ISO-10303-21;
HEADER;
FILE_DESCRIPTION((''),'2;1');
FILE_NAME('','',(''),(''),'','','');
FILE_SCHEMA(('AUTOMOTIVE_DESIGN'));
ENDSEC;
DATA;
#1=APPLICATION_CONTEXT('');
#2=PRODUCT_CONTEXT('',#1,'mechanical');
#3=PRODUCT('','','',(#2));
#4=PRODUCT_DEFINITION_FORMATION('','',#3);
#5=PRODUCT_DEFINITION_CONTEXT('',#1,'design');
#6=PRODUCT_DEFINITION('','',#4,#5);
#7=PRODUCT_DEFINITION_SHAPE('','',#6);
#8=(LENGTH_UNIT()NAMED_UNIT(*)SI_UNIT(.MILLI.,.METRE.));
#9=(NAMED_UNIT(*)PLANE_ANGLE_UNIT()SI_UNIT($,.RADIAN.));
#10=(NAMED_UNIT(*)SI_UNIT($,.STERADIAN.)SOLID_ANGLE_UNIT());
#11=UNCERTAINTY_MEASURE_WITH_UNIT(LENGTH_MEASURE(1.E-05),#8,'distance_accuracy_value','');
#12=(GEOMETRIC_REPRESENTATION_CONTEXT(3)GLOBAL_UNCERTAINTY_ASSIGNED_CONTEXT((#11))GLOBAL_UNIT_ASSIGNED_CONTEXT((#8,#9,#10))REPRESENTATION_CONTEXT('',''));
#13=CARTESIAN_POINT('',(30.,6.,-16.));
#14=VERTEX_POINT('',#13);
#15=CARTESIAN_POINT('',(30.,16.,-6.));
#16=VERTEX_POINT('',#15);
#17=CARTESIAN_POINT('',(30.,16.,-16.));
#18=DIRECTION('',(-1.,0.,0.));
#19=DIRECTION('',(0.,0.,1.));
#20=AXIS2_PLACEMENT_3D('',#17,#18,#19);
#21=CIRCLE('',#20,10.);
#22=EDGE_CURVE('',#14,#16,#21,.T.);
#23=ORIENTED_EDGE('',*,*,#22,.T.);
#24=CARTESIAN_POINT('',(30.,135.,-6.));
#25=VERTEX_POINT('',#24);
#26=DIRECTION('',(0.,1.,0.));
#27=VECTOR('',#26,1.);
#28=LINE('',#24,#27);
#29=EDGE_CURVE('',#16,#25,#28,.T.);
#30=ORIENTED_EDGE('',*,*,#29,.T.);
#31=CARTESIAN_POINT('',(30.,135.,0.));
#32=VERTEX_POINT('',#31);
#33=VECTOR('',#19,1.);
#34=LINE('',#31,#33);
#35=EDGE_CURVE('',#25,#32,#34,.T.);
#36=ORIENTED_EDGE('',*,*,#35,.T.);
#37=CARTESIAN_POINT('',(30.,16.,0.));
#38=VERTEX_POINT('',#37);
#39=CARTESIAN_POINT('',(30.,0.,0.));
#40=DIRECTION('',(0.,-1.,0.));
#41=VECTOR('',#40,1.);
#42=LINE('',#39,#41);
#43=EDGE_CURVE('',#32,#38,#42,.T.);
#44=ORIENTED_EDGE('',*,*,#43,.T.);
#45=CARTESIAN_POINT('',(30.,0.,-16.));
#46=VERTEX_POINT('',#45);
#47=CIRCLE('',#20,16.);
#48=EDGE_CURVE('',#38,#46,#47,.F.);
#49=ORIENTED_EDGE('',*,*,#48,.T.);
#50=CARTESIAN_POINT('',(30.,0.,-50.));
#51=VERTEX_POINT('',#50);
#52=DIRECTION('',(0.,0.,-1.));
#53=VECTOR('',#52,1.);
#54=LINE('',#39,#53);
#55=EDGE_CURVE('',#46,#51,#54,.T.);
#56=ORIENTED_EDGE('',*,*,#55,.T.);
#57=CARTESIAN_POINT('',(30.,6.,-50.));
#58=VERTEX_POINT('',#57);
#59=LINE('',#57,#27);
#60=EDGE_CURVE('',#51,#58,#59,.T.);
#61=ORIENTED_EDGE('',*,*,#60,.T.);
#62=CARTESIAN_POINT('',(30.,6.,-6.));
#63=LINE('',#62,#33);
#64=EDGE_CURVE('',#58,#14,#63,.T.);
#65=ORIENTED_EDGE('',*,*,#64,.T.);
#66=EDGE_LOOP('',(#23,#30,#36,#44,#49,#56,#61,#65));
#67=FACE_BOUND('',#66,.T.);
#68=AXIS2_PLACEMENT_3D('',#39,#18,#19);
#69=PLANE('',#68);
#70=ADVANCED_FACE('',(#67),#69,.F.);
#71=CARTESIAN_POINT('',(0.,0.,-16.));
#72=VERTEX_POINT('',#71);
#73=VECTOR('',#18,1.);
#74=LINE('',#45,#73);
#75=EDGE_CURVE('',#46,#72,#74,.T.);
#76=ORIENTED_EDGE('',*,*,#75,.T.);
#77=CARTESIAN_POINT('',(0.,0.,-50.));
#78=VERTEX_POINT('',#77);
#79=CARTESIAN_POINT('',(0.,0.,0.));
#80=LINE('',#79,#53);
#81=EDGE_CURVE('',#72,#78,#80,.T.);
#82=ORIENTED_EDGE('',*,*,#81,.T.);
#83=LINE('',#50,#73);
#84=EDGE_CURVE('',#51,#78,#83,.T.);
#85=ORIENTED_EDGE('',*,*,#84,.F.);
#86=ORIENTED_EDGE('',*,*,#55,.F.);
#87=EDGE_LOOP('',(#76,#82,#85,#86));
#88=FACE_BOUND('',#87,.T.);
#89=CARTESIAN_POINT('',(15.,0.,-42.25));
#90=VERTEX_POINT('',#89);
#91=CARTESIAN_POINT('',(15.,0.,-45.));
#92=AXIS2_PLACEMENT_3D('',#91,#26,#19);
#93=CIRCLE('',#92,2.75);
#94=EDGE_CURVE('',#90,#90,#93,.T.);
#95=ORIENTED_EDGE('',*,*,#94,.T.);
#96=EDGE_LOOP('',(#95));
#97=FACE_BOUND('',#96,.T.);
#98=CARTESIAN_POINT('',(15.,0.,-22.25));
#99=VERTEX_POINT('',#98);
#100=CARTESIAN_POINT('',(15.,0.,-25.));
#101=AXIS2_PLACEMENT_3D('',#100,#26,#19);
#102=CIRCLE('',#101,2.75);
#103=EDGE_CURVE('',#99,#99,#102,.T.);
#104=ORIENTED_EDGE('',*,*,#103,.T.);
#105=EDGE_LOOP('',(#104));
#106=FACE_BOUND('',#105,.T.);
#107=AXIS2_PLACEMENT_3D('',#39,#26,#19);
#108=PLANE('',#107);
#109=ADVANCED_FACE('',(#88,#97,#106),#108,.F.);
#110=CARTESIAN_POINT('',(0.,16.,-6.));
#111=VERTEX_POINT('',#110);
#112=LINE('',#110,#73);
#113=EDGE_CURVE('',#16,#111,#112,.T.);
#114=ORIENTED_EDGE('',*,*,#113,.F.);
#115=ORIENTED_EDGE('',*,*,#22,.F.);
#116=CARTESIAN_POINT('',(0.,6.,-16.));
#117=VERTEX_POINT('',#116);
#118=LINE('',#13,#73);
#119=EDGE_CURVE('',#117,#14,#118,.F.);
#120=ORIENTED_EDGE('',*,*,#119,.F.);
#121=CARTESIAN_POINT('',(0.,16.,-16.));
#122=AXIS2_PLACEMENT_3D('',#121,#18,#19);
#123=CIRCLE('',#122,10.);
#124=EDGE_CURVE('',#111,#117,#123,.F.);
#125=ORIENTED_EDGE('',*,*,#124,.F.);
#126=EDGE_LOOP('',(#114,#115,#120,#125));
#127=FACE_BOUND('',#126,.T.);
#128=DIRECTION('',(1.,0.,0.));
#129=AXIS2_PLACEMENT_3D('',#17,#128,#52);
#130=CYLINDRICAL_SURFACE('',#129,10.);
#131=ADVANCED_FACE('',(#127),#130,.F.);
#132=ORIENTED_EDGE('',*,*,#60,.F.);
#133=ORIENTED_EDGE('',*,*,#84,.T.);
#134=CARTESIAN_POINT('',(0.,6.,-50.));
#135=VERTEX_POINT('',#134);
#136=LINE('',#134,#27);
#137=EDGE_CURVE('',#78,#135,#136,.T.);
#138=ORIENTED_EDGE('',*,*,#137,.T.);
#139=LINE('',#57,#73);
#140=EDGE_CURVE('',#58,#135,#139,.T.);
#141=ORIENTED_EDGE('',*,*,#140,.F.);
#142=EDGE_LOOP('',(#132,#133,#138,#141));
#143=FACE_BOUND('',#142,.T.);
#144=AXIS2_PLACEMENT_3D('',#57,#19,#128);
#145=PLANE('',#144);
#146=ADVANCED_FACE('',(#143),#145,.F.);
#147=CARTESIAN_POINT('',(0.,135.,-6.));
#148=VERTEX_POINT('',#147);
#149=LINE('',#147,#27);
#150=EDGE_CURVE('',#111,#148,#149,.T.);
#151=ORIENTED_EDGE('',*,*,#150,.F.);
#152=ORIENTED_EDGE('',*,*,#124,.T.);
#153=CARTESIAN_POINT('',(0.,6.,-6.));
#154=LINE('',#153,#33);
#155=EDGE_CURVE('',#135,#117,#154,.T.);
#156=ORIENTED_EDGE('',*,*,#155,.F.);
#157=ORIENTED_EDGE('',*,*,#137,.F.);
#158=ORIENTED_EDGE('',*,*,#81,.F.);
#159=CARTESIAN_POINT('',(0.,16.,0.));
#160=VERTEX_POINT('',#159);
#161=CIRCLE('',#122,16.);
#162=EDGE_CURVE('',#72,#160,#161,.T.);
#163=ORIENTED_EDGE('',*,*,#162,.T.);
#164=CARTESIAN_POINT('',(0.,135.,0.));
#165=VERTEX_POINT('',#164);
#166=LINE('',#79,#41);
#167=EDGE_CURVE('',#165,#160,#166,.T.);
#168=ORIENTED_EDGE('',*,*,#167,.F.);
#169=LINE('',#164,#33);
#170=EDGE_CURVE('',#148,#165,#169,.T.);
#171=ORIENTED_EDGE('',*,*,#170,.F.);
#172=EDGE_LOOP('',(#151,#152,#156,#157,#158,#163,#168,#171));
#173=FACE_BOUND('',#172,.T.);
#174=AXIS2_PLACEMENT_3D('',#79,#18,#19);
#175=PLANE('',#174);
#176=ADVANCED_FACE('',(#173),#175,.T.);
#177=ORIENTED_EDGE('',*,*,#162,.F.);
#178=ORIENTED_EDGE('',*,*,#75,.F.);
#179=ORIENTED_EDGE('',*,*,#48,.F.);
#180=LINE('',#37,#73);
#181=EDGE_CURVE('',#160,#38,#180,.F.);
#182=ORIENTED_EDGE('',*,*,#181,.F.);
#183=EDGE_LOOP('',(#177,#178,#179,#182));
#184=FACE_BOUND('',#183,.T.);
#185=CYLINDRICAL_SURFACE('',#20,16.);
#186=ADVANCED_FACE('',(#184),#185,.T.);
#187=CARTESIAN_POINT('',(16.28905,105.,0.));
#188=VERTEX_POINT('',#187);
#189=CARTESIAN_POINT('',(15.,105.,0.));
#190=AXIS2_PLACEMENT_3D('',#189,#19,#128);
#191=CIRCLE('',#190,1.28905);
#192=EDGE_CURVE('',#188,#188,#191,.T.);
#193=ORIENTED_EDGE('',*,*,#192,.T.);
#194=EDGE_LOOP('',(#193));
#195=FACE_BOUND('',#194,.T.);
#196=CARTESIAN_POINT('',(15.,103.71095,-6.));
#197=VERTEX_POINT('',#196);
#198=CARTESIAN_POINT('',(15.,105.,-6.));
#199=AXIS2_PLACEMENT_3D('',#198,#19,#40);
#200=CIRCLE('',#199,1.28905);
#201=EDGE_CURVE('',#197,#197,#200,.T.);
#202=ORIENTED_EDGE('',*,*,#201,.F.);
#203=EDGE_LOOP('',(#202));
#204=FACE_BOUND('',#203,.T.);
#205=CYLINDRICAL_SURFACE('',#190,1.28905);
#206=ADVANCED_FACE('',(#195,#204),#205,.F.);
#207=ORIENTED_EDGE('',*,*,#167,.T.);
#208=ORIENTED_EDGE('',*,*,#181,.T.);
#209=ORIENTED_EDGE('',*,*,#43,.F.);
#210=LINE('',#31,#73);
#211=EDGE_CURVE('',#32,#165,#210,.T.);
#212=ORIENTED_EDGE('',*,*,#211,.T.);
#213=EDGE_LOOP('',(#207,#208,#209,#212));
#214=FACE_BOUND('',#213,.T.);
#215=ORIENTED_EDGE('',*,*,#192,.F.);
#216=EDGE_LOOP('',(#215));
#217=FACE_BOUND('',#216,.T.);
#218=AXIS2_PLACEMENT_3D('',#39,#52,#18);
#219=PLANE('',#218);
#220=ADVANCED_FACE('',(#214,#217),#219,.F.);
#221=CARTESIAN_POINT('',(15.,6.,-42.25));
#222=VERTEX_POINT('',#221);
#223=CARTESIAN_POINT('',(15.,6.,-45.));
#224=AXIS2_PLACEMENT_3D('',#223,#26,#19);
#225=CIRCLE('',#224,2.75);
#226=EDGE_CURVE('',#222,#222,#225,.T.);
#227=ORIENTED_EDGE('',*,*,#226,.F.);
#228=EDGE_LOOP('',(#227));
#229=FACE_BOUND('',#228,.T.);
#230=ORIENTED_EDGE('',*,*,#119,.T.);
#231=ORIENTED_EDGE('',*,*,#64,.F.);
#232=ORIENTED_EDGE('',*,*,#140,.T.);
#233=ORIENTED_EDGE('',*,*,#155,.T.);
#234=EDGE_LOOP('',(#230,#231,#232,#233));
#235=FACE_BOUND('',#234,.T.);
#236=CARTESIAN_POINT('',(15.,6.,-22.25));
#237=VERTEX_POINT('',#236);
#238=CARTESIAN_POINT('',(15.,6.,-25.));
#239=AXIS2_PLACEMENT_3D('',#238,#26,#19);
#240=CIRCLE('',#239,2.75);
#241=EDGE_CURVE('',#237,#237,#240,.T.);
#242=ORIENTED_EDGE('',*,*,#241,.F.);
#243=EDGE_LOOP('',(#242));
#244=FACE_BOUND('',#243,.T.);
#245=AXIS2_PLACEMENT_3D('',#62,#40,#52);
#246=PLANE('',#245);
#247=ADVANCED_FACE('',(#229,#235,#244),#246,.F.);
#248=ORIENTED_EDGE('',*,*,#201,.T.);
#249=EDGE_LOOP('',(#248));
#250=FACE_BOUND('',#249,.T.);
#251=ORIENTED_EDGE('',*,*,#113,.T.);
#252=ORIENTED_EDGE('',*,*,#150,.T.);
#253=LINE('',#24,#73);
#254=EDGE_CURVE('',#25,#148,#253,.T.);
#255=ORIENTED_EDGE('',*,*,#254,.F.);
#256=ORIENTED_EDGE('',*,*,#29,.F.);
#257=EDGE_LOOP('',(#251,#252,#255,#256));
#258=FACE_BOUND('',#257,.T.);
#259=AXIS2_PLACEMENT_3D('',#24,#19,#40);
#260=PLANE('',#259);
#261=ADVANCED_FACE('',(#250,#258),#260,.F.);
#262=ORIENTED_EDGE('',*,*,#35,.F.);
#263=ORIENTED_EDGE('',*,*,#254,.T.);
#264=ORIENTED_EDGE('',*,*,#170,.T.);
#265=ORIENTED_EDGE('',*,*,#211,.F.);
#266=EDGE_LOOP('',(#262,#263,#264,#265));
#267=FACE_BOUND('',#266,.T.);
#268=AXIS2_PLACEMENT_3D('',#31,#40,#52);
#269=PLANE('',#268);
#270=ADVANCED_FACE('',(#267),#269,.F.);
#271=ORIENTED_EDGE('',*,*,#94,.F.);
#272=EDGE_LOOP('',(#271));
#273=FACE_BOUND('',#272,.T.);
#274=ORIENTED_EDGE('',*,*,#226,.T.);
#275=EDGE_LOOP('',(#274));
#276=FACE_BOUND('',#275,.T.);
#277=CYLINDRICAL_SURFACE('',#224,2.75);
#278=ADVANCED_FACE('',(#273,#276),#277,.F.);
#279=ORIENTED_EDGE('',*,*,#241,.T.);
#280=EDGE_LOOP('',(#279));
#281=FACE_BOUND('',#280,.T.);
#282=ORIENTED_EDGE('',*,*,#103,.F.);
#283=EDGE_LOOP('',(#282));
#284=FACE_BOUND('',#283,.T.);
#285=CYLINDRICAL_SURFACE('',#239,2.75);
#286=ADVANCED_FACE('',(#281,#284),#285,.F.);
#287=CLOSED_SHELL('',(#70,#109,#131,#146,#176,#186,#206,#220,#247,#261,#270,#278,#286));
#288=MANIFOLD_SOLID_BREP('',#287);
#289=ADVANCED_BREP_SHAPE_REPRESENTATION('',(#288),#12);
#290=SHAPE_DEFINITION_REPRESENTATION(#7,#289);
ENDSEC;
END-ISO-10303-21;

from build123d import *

# Parameters (mm, degrees)
BOSS_EXTRUDE1_DEPTH   = 30
FILLET1_R             = 10
FILLET2_R             = 16
M5_CLEARANCE_HOLE1_D  = 5.5
F_5_40_TAPPED_HOLE1_D = 2.5781


with BuildPart() as part:
    # Sketch1 → Boss-Extrude1 (new body)
    with BuildSketch(Plane(origin=(0, 0, 0), x_dir=(0, 0, -1), z_dir=(1, 0, 0))):
        Polygon((0, 0), (50, 0), (50, 6), (6, 6), (6, 135), (0, 135), align=None)
    extrude(amount=BOSS_EXTRUDE1_DEPTH)

    # Fillet1
    fillet1_edges = [part.edges().sort_by_distance(p)[0] for p in [
        (15, 6, -6),
    ]]
    fillet(fillet1_edges, radius=FILLET1_R)

    # Fillet2
    fillet2_edges = [part.edges().sort_by_distance(p)[0] for p in [
        (15, 0, 0),
    ]]
    fillet(fillet2_edges, radius=FILLET2_R)

    # M5 Clearance Hole1 (through all)
    with Locations(Plane(origin=(0, 6, 0), x_dir=(1, 0, 0), z_dir=(0, 1, 0))):
        with Locations((15, 45), (15, 25)):
            Hole(M5_CLEARANCE_HOLE1_D / 2)

    # #5-40 Tapped Hole1 (through all)
    with Locations(Plane.XY):
        with Locations((15, 105)):
            Hole(F_5_40_TAPPED_HOLE1_D / 2)


solid = part.part
